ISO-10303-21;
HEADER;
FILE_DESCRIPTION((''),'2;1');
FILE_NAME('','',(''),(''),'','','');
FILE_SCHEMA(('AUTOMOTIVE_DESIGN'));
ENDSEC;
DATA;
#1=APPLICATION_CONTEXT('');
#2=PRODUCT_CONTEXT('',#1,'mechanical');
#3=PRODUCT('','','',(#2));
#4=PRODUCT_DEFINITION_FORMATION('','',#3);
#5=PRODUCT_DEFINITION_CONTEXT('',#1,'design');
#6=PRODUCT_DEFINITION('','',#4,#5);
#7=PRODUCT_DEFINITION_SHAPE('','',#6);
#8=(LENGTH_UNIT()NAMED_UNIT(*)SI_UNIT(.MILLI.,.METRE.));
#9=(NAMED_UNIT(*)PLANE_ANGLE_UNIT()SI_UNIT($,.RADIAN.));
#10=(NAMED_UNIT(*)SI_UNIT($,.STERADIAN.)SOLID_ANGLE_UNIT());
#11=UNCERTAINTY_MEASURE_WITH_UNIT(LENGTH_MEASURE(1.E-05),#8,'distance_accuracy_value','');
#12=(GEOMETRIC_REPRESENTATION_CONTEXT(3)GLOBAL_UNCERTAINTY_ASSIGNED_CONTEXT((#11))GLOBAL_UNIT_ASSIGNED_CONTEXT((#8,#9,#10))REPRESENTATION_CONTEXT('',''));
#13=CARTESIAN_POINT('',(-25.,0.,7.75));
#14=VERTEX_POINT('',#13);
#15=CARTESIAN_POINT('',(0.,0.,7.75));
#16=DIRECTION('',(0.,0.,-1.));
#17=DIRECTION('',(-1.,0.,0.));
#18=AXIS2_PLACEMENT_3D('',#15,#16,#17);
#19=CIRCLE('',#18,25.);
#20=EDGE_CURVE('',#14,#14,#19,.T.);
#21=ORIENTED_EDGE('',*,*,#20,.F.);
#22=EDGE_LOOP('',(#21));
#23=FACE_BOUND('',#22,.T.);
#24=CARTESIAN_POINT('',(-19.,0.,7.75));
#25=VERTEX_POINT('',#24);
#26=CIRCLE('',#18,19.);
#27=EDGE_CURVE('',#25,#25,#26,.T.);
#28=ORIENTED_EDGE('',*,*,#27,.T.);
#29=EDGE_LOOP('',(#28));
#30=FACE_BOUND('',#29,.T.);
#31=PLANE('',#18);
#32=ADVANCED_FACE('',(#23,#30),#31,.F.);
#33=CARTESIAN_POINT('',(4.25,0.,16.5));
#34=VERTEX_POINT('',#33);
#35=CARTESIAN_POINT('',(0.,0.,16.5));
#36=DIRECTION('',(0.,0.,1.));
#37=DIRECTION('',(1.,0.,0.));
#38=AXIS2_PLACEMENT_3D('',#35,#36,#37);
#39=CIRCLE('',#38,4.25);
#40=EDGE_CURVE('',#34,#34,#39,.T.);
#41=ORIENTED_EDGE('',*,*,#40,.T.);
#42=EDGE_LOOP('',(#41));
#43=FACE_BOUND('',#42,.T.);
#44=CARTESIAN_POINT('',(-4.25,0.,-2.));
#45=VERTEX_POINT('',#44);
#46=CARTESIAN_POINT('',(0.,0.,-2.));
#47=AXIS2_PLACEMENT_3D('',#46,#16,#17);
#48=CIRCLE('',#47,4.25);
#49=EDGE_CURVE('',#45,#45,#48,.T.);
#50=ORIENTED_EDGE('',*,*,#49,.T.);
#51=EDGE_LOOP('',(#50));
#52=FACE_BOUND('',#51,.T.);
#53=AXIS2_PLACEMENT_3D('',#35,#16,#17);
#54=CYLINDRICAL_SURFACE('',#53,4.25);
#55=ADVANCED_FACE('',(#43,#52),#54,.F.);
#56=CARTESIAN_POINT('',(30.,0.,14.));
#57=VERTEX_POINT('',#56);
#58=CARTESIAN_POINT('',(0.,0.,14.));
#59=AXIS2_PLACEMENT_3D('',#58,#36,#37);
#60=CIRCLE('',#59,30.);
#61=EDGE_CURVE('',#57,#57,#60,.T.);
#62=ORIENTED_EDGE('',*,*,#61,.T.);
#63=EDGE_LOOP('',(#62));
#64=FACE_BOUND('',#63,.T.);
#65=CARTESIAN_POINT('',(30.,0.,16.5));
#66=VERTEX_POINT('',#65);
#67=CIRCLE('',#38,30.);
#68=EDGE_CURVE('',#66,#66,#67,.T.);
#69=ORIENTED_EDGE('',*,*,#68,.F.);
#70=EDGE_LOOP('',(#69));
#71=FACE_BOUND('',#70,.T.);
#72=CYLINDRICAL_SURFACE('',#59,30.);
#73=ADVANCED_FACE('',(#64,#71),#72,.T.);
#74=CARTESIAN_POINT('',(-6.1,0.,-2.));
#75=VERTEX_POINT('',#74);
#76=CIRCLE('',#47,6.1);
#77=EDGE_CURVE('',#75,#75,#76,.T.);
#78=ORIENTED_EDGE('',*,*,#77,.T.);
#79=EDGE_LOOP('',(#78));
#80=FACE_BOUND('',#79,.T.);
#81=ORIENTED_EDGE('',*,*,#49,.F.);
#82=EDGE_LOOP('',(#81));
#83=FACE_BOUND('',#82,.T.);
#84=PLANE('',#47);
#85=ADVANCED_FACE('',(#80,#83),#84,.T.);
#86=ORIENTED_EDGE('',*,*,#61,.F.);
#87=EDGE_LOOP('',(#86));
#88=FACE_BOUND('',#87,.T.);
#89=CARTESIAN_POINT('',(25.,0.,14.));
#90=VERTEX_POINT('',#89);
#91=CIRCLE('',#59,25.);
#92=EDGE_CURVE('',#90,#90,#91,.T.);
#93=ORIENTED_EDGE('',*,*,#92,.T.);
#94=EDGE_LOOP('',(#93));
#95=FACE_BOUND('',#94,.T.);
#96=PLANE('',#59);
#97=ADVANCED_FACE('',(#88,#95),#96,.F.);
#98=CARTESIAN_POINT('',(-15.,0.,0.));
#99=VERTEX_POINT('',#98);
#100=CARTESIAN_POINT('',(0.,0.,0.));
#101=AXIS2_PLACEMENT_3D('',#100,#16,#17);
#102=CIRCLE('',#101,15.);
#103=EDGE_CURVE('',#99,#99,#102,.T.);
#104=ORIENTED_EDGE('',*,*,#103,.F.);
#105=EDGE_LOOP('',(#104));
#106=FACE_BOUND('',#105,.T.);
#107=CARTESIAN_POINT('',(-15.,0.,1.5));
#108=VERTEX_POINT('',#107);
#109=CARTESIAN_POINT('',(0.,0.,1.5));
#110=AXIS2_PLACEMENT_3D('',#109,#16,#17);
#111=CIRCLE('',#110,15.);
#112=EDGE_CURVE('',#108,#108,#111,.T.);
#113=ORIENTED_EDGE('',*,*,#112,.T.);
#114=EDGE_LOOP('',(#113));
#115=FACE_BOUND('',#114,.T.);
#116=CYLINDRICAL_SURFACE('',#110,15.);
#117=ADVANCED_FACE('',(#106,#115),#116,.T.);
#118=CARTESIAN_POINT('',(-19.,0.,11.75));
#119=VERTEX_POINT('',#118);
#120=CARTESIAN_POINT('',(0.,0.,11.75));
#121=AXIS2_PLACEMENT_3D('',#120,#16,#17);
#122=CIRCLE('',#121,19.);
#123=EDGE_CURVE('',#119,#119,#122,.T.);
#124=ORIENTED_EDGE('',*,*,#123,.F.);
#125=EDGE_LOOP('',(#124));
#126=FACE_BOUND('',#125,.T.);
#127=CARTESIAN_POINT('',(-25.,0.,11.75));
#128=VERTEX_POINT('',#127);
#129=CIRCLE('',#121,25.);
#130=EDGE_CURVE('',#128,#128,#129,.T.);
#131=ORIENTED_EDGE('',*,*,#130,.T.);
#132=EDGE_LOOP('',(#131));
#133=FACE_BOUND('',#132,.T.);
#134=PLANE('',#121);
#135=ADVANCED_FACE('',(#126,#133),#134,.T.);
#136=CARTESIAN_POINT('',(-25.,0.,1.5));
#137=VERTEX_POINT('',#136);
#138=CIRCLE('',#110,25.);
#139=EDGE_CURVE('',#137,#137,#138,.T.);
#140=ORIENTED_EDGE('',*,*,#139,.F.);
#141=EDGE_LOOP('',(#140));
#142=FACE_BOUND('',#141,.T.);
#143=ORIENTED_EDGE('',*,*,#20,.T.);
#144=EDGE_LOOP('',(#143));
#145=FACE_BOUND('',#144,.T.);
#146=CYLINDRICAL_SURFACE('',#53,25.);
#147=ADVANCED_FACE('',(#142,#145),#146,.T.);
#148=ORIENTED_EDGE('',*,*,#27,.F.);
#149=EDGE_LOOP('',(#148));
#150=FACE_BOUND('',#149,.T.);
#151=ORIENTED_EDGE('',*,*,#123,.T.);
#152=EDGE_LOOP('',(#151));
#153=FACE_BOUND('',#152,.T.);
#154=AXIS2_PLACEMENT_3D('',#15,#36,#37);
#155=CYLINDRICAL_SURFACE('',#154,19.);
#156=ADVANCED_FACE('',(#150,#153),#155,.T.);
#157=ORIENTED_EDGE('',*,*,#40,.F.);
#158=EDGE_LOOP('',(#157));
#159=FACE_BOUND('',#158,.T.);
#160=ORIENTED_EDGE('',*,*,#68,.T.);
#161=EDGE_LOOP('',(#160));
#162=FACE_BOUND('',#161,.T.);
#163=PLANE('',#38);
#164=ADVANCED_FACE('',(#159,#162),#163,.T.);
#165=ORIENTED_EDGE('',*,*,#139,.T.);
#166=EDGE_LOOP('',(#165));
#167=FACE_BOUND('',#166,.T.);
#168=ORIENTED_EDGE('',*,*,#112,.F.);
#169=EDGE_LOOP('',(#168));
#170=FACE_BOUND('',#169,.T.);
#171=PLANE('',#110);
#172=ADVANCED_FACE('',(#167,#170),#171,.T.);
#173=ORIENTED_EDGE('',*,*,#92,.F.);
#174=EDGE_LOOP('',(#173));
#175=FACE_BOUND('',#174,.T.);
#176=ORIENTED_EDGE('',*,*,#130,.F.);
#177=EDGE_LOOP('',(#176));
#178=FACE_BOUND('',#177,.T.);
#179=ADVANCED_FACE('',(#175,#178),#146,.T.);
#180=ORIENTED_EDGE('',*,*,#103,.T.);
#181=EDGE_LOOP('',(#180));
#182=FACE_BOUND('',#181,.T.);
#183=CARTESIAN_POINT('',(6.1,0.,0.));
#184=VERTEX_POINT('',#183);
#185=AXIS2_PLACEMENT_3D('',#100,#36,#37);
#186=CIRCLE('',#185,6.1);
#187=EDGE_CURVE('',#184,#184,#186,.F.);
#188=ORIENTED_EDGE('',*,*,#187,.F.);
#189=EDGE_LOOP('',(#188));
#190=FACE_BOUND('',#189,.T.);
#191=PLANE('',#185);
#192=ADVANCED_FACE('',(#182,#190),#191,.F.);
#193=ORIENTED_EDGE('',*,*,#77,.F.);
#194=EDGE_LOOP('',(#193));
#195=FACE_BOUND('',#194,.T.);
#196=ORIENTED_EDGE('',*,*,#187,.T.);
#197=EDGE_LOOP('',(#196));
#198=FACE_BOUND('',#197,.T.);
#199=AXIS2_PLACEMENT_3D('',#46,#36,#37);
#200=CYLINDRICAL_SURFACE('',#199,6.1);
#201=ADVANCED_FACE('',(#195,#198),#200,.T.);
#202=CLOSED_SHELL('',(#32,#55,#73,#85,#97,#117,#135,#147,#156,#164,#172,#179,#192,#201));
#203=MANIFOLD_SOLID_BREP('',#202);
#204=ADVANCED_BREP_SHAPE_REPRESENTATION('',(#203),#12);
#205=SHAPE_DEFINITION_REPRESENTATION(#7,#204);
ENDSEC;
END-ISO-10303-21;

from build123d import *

# Parameters (mm, degrees)
CROQUIS1_R              = 25
CROQUIS1_R_2            = 11
SALIENTE_EXTRUIR1_DEPTH = 16.5
CROQUIS3_R              = 11
CROQUIS3_R_2            = 9.5
SALIENTE_EXTRUIR2_DEPTH = 10.5
SALIENTE_EXTRUIR3_START = -2
CROQUIS4_R              = 11
CROQUIS4_R_2            = 4
SALIENTE_EXTRUIR3_DEPTH = 2
SALIENTE_EXTRUIR4_START = -2.5
CROQUIS5_R              = 30
CROQUIS5_R_2            = 25
SALIENTE_EXTRUIR4_DEPTH = 2.5
CORTAR_EXTRUIR1_START   = 4
CROQUIS6_R              = 25
CROQUIS6_R_2            = 19
CORTAR_EXTRUIR1_DEPTH   = 4
SALIENTE_EXTRUIR5_REACH = 47.522
CROQUIS7_R              = 11
CROQUIS7_R_2            = 4.25
SALIENTE_EXTRUIR6_START = 2
CROQUIS8_R              = 6.1
CROQUIS8_R_2            = 4
SALIENTE_EXTRUIR6_DEPTH = 2
CROQUIS11_R             = 25
CROQUIS11_R_2           = 15
CORTAR_EXTRUIR2_DEPTH   = 1.5
CROQUIS13_R             = 4.25
CORTAR_EXTRUIR5_DEPTH   = 10
CORTAR_EXTRUIR6_START   = -10
CROQUIS14_R             = 4.25
CORTAR_EXTRUIR6_DEPTH   = 10


with BuildPart() as part:
    # Croquis1 → Saliente-Extruir1 (new body)
    with BuildSketch(Plane.XY):
        Circle(CROQUIS1_R)
        Circle(CROQUIS1_R_2, mode=Mode.SUBTRACT)
    extrude(amount=SALIENTE_EXTRUIR1_DEPTH)

    # Croquis3 → Saliente-Extruir2 (add, through all)
    with BuildSketch(Plane(origin=(0, 0, 6), x_dir=(-1, 0, 0), z_dir=(0, 0, -1))):
        Circle(CROQUIS3_R)
        Circle(CROQUIS3_R_2, mode=Mode.SUBTRACT)
    extrude(amount=-SALIENTE_EXTRUIR2_DEPTH)

    # Croquis4 → Saliente-Extruir3 (add)
    with BuildSketch(Plane.XY.offset(16.5).offset(SALIENTE_EXTRUIR3_START)):
        with Locations(Location((0, 0, 0), (0, 0, 180))):
            Circle(CROQUIS4_R)
        Circle(CROQUIS4_R_2, mode=Mode.SUBTRACT)
    extrude(amount=SALIENTE_EXTRUIR3_DEPTH)

    # Croquis5 → Saliente-Extruir4 (add)
    with BuildSketch(Plane.XY.offset(16.5).offset(SALIENTE_EXTRUIR4_START)):
        Circle(CROQUIS5_R)
        Circle(CROQUIS5_R_2, mode=Mode.SUBTRACT)
    extrude(amount=SALIENTE_EXTRUIR4_DEPTH)

    # Croquis6 → Cortar-Extruir1 (cut)
    with BuildSketch(Plane(origin=(0, 0, 11.75), x_dir=(-1, 0, 0), z_dir=(0, 0, -1)).offset(CORTAR_EXTRUIR1_START)):
        Circle(CROQUIS6_R)
        Circle(CROQUIS6_R_2, mode=Mode.SUBTRACT)
    extrude(amount=-CORTAR_EXTRUIR1_DEPTH, mode=Mode.SUBTRACT)

    # Croquis7 → Saliente-Extruir5 (add, up to next)
    with BuildSketch(Plane(origin=(0, 0, 0), x_dir=(-1, 0, 0), z_dir=(0, 0, -1)), mode=Mode.PRIVATE) as saliente_extruir5_sk1:
        Circle(CROQUIS7_R)
        Circle(CROQUIS7_R_2, mode=Mode.SUBTRACT)
    saliente_extruir5_tool1 = extrude(saliente_extruir5_sk1.sketch, amount=-SALIENTE_EXTRUIR5_REACH, mode=Mode.PRIVATE) - part.part
    add(saliente_extruir5_tool1.solids().sort_by_distance((10.688873, 0, 0))[0])

    # Croquis8 → Saliente-Extruir6 (add)
    with BuildSketch(Plane(origin=(0, 0, 0), x_dir=(-1, 0, 0), z_dir=(0, 0, -1)).offset(SALIENTE_EXTRUIR6_START)):
        with Locations(Location((0, 0, 0), (0, 0, 180))):
            Circle(CROQUIS8_R)
        with Locations(Location((0, 0, 0), (0, 0, 180))):
            Circle(CROQUIS8_R_2, mode=Mode.SUBTRACT)
    extrude(amount=-SALIENTE_EXTRUIR6_DEPTH)

    # Croquis11 → Cortar-Extruir2 (cut)
    with BuildSketch(Plane(origin=(0, 0, 0), x_dir=(-1, 0, 0), z_dir=(0, 0, -1))):
        Circle(CROQUIS11_R)
        Circle(CROQUIS11_R_2, mode=Mode.SUBTRACT)
    extrude(amount=-CORTAR_EXTRUIR2_DEPTH, mode=Mode.SUBTRACT)

    # Croquis13 → Cortar-Extruir5 (cut)
    with BuildSketch(Plane(origin=(0, 0, 14.5), x_dir=(-1, 0, 0), z_dir=(0, 0, -1))):
        Circle(CROQUIS13_R)
    extrude(amount=-CORTAR_EXTRUIR5_DEPTH, mode=Mode.SUBTRACT)

    # Croquis14 → Cortar-Extruir6 (cut)
    with BuildSketch(Plane.XY.offset(CORTAR_EXTRUIR6_START)):
        with Locations(Location((0, 0, 0), (0, 0, 180))):
            Circle(CROQUIS14_R)
    extrude(amount=CORTAR_EXTRUIR6_DEPTH, mode=Mode.SUBTRACT)


solid = part.part
